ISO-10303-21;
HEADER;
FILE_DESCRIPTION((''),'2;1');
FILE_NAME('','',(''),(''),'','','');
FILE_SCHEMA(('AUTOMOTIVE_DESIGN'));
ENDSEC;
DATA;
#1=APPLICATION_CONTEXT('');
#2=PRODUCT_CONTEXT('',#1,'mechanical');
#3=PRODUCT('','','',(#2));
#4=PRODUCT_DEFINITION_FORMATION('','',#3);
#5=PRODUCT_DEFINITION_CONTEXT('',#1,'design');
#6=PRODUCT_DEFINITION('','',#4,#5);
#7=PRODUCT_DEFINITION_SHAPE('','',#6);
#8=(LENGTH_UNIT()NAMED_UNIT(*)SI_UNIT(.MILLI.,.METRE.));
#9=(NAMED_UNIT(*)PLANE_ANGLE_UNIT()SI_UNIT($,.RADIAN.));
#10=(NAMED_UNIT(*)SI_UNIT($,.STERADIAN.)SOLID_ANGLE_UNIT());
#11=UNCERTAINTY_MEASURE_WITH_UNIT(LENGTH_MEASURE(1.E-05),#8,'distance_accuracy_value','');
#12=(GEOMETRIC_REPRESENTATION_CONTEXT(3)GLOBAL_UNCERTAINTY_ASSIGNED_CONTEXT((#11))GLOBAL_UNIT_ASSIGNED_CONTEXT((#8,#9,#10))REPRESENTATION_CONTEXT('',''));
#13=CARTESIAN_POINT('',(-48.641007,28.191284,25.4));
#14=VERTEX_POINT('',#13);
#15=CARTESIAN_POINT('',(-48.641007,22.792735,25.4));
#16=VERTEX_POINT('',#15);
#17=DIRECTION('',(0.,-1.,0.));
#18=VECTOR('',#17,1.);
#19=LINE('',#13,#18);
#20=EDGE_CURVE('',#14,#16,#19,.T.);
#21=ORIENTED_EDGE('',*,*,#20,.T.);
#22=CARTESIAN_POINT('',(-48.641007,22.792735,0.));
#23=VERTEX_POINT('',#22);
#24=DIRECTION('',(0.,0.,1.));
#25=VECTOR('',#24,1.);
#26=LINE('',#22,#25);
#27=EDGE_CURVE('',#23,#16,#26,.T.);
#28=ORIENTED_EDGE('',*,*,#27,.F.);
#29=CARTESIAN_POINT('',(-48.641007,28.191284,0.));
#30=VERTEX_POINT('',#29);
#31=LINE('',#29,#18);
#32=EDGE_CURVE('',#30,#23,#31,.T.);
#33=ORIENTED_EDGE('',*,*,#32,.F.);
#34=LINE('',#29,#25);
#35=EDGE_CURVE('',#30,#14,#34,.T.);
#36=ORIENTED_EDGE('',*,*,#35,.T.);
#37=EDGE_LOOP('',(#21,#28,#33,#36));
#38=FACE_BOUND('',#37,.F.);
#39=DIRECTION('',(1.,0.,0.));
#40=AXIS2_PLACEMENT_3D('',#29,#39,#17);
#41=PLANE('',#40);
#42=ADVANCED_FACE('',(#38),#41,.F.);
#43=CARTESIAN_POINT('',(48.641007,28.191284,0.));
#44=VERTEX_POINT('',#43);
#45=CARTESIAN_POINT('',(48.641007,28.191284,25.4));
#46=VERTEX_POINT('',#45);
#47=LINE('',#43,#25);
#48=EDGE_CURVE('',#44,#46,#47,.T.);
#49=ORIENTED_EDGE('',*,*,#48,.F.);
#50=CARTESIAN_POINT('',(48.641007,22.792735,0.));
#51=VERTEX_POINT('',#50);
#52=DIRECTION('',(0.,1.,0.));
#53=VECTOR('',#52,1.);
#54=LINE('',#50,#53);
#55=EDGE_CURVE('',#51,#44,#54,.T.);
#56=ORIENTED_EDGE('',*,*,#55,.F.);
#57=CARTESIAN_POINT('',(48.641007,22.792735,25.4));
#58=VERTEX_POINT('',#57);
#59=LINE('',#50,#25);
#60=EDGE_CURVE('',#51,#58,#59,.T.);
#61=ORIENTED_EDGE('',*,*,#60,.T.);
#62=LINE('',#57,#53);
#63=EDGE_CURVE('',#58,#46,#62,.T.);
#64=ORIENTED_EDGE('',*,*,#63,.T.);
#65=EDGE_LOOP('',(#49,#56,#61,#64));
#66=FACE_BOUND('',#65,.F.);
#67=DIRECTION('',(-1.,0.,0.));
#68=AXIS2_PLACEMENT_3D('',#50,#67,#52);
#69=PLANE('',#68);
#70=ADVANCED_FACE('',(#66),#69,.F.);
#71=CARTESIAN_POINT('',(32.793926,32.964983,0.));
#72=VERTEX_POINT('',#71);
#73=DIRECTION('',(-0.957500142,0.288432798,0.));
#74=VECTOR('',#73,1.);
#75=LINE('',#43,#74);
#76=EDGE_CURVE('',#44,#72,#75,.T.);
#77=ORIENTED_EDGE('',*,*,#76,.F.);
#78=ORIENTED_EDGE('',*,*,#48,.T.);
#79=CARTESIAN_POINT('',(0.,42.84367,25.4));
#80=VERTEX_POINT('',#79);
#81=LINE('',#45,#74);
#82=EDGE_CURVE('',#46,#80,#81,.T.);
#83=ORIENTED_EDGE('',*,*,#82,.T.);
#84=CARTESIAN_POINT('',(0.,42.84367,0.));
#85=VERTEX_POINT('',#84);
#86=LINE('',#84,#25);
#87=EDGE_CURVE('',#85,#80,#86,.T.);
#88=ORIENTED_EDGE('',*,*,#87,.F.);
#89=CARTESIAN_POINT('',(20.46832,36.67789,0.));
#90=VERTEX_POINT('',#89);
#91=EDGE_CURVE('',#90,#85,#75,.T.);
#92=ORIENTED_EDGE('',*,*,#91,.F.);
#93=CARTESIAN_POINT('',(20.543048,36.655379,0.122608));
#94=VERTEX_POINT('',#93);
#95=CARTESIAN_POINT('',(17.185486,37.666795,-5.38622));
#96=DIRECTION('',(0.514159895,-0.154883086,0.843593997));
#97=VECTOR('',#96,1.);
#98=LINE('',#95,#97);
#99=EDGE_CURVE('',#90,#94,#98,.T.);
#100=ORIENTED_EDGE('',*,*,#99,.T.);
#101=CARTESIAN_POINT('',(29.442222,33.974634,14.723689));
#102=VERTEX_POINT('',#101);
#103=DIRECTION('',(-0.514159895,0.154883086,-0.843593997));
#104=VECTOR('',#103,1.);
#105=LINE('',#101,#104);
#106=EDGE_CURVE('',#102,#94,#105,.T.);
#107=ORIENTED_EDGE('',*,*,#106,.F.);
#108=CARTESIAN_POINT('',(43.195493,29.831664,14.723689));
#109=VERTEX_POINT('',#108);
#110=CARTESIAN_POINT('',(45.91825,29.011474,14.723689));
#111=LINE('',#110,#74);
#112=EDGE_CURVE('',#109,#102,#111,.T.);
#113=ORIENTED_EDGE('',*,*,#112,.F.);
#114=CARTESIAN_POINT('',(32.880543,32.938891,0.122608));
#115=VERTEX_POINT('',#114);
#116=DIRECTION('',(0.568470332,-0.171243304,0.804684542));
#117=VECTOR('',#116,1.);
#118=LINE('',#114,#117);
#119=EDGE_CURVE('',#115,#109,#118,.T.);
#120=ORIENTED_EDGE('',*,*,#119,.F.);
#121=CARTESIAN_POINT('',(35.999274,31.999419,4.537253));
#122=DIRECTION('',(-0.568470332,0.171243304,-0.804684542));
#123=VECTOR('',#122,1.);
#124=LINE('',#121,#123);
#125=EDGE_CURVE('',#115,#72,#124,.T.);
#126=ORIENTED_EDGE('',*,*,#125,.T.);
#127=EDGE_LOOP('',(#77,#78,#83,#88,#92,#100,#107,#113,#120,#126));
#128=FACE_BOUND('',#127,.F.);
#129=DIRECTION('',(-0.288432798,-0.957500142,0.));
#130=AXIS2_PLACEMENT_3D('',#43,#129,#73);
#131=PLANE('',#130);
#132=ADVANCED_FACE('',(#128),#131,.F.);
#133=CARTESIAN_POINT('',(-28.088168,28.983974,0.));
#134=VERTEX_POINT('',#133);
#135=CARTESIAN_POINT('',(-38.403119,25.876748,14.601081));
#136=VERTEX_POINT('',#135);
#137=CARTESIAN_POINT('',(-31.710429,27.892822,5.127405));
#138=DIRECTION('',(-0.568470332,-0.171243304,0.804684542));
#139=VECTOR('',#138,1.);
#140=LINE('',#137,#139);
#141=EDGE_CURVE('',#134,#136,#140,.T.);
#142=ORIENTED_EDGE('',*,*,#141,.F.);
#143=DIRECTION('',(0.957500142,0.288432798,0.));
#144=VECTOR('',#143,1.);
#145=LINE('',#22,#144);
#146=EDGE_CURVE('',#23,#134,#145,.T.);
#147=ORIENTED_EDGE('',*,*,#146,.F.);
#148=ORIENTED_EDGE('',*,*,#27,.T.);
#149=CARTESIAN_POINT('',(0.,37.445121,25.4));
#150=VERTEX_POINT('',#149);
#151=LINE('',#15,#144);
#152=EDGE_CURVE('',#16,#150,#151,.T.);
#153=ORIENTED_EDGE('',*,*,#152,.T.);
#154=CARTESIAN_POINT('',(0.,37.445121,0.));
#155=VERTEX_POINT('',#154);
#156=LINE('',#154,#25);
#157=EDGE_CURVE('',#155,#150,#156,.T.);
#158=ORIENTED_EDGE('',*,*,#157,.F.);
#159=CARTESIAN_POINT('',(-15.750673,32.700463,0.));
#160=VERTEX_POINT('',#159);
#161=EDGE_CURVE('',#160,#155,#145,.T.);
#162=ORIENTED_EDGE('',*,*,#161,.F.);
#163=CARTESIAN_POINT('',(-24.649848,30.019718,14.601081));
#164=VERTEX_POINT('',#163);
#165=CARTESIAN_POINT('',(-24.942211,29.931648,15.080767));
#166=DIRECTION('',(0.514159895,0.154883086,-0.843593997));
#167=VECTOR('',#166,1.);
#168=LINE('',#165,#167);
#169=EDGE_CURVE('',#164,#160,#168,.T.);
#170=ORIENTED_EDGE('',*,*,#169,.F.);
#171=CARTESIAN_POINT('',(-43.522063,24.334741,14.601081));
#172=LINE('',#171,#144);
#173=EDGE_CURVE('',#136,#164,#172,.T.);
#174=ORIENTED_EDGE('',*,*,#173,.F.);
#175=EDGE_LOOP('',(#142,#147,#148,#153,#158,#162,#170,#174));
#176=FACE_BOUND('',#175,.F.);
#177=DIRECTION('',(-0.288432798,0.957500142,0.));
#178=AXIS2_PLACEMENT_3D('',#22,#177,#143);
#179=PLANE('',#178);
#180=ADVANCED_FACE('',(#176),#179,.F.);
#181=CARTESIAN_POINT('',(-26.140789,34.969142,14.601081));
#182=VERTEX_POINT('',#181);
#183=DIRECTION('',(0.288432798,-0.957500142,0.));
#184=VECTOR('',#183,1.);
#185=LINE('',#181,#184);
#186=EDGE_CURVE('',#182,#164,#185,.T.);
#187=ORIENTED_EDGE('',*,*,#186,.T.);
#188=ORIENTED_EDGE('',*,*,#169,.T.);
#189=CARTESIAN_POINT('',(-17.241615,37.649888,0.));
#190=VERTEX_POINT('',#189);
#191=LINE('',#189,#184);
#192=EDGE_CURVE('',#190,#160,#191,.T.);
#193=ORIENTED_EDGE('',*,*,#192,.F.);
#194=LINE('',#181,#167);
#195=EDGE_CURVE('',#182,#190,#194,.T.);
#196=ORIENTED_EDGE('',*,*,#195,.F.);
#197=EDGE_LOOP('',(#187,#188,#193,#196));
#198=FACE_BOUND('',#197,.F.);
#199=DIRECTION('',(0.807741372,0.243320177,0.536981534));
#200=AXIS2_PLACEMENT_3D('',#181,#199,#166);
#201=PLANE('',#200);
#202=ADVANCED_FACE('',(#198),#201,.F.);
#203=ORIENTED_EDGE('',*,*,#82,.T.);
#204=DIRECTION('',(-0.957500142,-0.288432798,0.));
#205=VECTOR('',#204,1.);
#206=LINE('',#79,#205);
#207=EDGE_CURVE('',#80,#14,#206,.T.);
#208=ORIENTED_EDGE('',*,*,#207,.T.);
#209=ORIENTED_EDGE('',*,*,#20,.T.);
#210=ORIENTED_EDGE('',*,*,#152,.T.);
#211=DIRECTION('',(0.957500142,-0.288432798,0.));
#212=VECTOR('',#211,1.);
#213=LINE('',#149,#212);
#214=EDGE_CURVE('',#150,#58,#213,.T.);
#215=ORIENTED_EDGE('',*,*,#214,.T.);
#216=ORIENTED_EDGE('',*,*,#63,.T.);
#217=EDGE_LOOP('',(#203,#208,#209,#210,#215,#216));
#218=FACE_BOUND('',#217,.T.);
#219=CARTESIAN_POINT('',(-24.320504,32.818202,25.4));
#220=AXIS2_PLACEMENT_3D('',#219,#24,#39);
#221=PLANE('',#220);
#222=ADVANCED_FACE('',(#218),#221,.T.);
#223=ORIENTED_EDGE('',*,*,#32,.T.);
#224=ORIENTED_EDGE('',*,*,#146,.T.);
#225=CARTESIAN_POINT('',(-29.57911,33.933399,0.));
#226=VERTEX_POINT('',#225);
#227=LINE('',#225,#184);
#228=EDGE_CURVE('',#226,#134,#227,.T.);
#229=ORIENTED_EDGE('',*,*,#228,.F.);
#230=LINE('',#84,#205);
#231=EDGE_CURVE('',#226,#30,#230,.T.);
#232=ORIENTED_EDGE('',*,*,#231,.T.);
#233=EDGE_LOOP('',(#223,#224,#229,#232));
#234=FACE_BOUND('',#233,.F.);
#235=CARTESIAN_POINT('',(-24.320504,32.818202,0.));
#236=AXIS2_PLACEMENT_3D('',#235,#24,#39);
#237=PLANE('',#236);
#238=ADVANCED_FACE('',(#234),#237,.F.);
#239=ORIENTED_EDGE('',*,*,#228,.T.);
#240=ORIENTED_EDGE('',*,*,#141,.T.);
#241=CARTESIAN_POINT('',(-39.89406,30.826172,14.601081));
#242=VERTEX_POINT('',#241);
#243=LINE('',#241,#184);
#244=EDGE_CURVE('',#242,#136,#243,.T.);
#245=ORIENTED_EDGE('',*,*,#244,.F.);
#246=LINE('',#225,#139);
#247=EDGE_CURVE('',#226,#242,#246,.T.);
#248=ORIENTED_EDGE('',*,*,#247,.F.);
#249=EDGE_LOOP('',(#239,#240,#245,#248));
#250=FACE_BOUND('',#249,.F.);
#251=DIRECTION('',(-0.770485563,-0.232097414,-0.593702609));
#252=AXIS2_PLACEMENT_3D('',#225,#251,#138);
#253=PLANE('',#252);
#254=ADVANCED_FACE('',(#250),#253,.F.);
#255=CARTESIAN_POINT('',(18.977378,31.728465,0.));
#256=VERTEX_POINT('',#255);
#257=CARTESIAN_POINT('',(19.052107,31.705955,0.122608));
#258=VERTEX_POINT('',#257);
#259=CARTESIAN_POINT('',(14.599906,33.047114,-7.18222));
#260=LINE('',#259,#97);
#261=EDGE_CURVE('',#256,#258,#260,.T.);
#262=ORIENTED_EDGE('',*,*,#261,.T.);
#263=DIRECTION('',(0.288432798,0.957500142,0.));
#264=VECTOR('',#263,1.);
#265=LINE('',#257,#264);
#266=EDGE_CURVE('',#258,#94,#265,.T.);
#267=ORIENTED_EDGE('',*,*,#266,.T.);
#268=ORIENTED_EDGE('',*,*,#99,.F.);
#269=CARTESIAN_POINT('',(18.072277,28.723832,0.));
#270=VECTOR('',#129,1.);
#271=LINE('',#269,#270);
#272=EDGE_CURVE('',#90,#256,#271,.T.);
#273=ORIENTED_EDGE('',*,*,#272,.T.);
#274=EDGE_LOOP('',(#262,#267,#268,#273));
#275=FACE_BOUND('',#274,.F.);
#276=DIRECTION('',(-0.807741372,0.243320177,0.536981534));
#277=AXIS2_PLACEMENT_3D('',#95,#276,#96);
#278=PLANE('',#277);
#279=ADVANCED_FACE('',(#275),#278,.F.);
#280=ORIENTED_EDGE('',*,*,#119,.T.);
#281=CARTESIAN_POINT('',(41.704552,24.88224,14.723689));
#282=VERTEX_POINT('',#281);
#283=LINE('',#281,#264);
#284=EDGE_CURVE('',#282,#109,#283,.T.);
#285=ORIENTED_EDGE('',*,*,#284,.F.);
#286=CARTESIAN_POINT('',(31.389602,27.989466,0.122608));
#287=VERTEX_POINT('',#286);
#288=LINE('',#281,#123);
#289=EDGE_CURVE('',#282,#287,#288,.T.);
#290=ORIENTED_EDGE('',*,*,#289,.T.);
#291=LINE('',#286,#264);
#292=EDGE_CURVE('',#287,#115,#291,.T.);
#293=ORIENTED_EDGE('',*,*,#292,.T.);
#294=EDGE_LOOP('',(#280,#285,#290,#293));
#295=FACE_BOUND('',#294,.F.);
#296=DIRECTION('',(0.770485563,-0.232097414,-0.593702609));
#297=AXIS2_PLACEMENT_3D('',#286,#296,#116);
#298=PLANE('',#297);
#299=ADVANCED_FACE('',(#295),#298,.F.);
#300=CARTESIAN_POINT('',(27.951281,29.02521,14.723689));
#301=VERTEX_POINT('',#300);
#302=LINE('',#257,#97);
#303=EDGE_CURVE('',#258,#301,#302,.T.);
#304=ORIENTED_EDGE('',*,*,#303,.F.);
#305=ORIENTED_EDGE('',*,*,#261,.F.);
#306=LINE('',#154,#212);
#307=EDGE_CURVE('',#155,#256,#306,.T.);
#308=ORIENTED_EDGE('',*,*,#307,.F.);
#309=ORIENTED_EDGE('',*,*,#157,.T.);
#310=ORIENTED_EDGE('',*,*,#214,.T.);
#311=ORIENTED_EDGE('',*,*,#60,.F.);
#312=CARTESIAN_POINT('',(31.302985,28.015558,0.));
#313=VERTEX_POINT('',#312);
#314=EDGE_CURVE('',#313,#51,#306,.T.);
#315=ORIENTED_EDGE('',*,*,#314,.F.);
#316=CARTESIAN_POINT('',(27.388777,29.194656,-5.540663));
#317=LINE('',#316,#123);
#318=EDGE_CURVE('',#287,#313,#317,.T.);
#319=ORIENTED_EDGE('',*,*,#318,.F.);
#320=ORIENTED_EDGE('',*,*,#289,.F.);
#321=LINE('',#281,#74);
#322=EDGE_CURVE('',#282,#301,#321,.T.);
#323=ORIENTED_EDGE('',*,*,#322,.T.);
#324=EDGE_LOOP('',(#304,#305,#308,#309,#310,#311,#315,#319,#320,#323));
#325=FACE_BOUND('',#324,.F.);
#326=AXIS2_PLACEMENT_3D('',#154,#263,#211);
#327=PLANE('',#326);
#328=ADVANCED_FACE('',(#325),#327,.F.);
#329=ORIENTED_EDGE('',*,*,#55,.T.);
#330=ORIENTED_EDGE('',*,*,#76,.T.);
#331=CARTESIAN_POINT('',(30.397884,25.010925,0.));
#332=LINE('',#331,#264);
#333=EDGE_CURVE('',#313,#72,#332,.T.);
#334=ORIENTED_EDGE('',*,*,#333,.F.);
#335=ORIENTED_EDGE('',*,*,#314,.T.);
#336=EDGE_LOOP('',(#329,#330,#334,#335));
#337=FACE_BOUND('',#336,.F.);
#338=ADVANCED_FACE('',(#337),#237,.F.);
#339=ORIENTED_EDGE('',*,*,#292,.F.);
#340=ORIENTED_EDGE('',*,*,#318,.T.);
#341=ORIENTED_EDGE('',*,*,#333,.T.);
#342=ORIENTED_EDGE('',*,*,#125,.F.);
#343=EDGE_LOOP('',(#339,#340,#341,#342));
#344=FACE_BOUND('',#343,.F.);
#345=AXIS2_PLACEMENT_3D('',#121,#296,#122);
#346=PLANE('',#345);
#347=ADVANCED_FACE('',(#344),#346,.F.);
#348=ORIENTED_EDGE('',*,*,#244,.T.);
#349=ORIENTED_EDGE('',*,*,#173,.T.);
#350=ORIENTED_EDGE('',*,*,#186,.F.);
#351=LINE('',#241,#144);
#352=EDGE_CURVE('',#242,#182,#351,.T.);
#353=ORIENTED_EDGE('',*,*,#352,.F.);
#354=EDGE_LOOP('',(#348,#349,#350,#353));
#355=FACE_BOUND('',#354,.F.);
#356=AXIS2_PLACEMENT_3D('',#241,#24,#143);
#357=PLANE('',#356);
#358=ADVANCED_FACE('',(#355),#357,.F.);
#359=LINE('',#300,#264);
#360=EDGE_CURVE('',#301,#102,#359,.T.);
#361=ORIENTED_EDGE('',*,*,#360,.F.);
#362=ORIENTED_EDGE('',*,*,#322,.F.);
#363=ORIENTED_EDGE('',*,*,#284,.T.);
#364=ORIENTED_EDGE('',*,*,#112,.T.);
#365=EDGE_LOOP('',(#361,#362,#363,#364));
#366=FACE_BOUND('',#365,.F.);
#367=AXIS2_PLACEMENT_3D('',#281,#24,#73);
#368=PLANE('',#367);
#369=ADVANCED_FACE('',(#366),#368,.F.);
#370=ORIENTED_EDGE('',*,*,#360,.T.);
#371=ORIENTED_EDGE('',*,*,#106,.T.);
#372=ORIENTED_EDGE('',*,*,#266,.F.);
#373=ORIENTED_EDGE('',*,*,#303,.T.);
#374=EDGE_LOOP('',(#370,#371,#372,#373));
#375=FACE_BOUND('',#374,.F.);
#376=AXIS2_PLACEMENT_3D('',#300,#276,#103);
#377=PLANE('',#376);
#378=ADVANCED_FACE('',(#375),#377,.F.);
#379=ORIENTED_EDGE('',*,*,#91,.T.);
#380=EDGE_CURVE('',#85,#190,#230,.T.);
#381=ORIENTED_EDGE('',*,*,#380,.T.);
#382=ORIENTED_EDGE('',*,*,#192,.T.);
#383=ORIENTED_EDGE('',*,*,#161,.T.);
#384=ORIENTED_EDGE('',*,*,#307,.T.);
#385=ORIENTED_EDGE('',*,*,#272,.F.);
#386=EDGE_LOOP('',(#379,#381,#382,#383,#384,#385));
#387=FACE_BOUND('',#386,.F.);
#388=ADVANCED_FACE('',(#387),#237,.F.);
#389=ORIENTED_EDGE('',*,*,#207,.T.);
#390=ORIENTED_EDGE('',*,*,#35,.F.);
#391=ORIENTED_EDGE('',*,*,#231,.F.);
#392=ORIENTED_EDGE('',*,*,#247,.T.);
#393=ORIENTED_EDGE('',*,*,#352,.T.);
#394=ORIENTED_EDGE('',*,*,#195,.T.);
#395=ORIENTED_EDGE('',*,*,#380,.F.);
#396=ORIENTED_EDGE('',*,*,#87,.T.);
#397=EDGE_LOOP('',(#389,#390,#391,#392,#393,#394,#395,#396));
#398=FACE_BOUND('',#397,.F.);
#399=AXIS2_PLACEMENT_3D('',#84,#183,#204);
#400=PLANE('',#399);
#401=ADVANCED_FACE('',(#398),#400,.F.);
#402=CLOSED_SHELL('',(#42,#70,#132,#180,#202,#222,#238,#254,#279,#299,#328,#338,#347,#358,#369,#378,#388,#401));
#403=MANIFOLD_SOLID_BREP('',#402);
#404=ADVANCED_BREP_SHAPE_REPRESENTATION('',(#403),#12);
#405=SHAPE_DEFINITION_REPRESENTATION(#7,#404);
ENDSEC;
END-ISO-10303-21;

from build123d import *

# Parameters (mm, degrees)
F1_DEPTH = 25.4
F3_DEPTH = 33.2294348111
F5_DEPTH = 19.1997730291
F7_DEPTH = 33.2294348111


with BuildPart() as f1:
    # F0 (on Top) → F1 (new body)
    with BuildSketch(Plane.XY):
        Polygon((-48.6410071966, 22.7927347302), (0, 37.4451208464), (0, 42.8436696529), (-48.6410071966, 28.1912835367), align=None)
        Polygon((0, 42.8436696529), (0, 37.4451208464), (48.6410071966, 22.7927347302), (48.6410071966, 28.1912835367), align=None)
    extrude(amount=F1_DEPTH)

    # F2 (on face) → F3 (cut, through all)
    with BuildSketch(Plane(origin=(-11.8323266679, 39.2793557338, 0), x_dir=(-0.9575001417, -0.2884327976, 0), z_dir=(-0.2884327976, 0.9575001417, 0))):
        Polygon((5.6493859738, 0), (18.5344964266, 0), (29.307289049, 14.6010806784), (14.9435615167, 14.6010806784), align=None)
    extrude(amount=-F3_DEPTH, mode=Mode.SUBTRACT)

    # F4 (on face) → F5 (cut, through all)
    with BuildSketch(Plane(origin=(10.34138545, 34.3299309825, 0), x_dir=(0.9575001417, -0.2884327976, 0), z_dir=(-0.2884327976, -0.9575001417, 0))):
        Polygon((9.0973575134, 0.1226081513), (21.9824679662, 0.1226081513), (32.7552605886, 14.7236888297), (18.3915330563, 14.7236888297), align=None)
    extrude(amount=-F5_DEPTH, mode=Mode.SUBTRACT)

    # F6 (on face) → F7 (cut, through all)
    with BuildSketch(Plane(origin=(11.8323266679, 39.2793557338, 0), x_dir=(-0.9575001417, 0.2884327976, 0), z_dir=(0.2884327976, 0.9575001417, 0))):
        Polygon((-12.5681698828, 5.5752285791), (-25.2396277855, 4.5372529859), (-17.4372941709, -6.037767492), (-5.5907663486, -5.3862204982), align=None)
    extrude(amount=-F7_DEPTH, mode=Mode.SUBTRACT)


solid = f1.part
